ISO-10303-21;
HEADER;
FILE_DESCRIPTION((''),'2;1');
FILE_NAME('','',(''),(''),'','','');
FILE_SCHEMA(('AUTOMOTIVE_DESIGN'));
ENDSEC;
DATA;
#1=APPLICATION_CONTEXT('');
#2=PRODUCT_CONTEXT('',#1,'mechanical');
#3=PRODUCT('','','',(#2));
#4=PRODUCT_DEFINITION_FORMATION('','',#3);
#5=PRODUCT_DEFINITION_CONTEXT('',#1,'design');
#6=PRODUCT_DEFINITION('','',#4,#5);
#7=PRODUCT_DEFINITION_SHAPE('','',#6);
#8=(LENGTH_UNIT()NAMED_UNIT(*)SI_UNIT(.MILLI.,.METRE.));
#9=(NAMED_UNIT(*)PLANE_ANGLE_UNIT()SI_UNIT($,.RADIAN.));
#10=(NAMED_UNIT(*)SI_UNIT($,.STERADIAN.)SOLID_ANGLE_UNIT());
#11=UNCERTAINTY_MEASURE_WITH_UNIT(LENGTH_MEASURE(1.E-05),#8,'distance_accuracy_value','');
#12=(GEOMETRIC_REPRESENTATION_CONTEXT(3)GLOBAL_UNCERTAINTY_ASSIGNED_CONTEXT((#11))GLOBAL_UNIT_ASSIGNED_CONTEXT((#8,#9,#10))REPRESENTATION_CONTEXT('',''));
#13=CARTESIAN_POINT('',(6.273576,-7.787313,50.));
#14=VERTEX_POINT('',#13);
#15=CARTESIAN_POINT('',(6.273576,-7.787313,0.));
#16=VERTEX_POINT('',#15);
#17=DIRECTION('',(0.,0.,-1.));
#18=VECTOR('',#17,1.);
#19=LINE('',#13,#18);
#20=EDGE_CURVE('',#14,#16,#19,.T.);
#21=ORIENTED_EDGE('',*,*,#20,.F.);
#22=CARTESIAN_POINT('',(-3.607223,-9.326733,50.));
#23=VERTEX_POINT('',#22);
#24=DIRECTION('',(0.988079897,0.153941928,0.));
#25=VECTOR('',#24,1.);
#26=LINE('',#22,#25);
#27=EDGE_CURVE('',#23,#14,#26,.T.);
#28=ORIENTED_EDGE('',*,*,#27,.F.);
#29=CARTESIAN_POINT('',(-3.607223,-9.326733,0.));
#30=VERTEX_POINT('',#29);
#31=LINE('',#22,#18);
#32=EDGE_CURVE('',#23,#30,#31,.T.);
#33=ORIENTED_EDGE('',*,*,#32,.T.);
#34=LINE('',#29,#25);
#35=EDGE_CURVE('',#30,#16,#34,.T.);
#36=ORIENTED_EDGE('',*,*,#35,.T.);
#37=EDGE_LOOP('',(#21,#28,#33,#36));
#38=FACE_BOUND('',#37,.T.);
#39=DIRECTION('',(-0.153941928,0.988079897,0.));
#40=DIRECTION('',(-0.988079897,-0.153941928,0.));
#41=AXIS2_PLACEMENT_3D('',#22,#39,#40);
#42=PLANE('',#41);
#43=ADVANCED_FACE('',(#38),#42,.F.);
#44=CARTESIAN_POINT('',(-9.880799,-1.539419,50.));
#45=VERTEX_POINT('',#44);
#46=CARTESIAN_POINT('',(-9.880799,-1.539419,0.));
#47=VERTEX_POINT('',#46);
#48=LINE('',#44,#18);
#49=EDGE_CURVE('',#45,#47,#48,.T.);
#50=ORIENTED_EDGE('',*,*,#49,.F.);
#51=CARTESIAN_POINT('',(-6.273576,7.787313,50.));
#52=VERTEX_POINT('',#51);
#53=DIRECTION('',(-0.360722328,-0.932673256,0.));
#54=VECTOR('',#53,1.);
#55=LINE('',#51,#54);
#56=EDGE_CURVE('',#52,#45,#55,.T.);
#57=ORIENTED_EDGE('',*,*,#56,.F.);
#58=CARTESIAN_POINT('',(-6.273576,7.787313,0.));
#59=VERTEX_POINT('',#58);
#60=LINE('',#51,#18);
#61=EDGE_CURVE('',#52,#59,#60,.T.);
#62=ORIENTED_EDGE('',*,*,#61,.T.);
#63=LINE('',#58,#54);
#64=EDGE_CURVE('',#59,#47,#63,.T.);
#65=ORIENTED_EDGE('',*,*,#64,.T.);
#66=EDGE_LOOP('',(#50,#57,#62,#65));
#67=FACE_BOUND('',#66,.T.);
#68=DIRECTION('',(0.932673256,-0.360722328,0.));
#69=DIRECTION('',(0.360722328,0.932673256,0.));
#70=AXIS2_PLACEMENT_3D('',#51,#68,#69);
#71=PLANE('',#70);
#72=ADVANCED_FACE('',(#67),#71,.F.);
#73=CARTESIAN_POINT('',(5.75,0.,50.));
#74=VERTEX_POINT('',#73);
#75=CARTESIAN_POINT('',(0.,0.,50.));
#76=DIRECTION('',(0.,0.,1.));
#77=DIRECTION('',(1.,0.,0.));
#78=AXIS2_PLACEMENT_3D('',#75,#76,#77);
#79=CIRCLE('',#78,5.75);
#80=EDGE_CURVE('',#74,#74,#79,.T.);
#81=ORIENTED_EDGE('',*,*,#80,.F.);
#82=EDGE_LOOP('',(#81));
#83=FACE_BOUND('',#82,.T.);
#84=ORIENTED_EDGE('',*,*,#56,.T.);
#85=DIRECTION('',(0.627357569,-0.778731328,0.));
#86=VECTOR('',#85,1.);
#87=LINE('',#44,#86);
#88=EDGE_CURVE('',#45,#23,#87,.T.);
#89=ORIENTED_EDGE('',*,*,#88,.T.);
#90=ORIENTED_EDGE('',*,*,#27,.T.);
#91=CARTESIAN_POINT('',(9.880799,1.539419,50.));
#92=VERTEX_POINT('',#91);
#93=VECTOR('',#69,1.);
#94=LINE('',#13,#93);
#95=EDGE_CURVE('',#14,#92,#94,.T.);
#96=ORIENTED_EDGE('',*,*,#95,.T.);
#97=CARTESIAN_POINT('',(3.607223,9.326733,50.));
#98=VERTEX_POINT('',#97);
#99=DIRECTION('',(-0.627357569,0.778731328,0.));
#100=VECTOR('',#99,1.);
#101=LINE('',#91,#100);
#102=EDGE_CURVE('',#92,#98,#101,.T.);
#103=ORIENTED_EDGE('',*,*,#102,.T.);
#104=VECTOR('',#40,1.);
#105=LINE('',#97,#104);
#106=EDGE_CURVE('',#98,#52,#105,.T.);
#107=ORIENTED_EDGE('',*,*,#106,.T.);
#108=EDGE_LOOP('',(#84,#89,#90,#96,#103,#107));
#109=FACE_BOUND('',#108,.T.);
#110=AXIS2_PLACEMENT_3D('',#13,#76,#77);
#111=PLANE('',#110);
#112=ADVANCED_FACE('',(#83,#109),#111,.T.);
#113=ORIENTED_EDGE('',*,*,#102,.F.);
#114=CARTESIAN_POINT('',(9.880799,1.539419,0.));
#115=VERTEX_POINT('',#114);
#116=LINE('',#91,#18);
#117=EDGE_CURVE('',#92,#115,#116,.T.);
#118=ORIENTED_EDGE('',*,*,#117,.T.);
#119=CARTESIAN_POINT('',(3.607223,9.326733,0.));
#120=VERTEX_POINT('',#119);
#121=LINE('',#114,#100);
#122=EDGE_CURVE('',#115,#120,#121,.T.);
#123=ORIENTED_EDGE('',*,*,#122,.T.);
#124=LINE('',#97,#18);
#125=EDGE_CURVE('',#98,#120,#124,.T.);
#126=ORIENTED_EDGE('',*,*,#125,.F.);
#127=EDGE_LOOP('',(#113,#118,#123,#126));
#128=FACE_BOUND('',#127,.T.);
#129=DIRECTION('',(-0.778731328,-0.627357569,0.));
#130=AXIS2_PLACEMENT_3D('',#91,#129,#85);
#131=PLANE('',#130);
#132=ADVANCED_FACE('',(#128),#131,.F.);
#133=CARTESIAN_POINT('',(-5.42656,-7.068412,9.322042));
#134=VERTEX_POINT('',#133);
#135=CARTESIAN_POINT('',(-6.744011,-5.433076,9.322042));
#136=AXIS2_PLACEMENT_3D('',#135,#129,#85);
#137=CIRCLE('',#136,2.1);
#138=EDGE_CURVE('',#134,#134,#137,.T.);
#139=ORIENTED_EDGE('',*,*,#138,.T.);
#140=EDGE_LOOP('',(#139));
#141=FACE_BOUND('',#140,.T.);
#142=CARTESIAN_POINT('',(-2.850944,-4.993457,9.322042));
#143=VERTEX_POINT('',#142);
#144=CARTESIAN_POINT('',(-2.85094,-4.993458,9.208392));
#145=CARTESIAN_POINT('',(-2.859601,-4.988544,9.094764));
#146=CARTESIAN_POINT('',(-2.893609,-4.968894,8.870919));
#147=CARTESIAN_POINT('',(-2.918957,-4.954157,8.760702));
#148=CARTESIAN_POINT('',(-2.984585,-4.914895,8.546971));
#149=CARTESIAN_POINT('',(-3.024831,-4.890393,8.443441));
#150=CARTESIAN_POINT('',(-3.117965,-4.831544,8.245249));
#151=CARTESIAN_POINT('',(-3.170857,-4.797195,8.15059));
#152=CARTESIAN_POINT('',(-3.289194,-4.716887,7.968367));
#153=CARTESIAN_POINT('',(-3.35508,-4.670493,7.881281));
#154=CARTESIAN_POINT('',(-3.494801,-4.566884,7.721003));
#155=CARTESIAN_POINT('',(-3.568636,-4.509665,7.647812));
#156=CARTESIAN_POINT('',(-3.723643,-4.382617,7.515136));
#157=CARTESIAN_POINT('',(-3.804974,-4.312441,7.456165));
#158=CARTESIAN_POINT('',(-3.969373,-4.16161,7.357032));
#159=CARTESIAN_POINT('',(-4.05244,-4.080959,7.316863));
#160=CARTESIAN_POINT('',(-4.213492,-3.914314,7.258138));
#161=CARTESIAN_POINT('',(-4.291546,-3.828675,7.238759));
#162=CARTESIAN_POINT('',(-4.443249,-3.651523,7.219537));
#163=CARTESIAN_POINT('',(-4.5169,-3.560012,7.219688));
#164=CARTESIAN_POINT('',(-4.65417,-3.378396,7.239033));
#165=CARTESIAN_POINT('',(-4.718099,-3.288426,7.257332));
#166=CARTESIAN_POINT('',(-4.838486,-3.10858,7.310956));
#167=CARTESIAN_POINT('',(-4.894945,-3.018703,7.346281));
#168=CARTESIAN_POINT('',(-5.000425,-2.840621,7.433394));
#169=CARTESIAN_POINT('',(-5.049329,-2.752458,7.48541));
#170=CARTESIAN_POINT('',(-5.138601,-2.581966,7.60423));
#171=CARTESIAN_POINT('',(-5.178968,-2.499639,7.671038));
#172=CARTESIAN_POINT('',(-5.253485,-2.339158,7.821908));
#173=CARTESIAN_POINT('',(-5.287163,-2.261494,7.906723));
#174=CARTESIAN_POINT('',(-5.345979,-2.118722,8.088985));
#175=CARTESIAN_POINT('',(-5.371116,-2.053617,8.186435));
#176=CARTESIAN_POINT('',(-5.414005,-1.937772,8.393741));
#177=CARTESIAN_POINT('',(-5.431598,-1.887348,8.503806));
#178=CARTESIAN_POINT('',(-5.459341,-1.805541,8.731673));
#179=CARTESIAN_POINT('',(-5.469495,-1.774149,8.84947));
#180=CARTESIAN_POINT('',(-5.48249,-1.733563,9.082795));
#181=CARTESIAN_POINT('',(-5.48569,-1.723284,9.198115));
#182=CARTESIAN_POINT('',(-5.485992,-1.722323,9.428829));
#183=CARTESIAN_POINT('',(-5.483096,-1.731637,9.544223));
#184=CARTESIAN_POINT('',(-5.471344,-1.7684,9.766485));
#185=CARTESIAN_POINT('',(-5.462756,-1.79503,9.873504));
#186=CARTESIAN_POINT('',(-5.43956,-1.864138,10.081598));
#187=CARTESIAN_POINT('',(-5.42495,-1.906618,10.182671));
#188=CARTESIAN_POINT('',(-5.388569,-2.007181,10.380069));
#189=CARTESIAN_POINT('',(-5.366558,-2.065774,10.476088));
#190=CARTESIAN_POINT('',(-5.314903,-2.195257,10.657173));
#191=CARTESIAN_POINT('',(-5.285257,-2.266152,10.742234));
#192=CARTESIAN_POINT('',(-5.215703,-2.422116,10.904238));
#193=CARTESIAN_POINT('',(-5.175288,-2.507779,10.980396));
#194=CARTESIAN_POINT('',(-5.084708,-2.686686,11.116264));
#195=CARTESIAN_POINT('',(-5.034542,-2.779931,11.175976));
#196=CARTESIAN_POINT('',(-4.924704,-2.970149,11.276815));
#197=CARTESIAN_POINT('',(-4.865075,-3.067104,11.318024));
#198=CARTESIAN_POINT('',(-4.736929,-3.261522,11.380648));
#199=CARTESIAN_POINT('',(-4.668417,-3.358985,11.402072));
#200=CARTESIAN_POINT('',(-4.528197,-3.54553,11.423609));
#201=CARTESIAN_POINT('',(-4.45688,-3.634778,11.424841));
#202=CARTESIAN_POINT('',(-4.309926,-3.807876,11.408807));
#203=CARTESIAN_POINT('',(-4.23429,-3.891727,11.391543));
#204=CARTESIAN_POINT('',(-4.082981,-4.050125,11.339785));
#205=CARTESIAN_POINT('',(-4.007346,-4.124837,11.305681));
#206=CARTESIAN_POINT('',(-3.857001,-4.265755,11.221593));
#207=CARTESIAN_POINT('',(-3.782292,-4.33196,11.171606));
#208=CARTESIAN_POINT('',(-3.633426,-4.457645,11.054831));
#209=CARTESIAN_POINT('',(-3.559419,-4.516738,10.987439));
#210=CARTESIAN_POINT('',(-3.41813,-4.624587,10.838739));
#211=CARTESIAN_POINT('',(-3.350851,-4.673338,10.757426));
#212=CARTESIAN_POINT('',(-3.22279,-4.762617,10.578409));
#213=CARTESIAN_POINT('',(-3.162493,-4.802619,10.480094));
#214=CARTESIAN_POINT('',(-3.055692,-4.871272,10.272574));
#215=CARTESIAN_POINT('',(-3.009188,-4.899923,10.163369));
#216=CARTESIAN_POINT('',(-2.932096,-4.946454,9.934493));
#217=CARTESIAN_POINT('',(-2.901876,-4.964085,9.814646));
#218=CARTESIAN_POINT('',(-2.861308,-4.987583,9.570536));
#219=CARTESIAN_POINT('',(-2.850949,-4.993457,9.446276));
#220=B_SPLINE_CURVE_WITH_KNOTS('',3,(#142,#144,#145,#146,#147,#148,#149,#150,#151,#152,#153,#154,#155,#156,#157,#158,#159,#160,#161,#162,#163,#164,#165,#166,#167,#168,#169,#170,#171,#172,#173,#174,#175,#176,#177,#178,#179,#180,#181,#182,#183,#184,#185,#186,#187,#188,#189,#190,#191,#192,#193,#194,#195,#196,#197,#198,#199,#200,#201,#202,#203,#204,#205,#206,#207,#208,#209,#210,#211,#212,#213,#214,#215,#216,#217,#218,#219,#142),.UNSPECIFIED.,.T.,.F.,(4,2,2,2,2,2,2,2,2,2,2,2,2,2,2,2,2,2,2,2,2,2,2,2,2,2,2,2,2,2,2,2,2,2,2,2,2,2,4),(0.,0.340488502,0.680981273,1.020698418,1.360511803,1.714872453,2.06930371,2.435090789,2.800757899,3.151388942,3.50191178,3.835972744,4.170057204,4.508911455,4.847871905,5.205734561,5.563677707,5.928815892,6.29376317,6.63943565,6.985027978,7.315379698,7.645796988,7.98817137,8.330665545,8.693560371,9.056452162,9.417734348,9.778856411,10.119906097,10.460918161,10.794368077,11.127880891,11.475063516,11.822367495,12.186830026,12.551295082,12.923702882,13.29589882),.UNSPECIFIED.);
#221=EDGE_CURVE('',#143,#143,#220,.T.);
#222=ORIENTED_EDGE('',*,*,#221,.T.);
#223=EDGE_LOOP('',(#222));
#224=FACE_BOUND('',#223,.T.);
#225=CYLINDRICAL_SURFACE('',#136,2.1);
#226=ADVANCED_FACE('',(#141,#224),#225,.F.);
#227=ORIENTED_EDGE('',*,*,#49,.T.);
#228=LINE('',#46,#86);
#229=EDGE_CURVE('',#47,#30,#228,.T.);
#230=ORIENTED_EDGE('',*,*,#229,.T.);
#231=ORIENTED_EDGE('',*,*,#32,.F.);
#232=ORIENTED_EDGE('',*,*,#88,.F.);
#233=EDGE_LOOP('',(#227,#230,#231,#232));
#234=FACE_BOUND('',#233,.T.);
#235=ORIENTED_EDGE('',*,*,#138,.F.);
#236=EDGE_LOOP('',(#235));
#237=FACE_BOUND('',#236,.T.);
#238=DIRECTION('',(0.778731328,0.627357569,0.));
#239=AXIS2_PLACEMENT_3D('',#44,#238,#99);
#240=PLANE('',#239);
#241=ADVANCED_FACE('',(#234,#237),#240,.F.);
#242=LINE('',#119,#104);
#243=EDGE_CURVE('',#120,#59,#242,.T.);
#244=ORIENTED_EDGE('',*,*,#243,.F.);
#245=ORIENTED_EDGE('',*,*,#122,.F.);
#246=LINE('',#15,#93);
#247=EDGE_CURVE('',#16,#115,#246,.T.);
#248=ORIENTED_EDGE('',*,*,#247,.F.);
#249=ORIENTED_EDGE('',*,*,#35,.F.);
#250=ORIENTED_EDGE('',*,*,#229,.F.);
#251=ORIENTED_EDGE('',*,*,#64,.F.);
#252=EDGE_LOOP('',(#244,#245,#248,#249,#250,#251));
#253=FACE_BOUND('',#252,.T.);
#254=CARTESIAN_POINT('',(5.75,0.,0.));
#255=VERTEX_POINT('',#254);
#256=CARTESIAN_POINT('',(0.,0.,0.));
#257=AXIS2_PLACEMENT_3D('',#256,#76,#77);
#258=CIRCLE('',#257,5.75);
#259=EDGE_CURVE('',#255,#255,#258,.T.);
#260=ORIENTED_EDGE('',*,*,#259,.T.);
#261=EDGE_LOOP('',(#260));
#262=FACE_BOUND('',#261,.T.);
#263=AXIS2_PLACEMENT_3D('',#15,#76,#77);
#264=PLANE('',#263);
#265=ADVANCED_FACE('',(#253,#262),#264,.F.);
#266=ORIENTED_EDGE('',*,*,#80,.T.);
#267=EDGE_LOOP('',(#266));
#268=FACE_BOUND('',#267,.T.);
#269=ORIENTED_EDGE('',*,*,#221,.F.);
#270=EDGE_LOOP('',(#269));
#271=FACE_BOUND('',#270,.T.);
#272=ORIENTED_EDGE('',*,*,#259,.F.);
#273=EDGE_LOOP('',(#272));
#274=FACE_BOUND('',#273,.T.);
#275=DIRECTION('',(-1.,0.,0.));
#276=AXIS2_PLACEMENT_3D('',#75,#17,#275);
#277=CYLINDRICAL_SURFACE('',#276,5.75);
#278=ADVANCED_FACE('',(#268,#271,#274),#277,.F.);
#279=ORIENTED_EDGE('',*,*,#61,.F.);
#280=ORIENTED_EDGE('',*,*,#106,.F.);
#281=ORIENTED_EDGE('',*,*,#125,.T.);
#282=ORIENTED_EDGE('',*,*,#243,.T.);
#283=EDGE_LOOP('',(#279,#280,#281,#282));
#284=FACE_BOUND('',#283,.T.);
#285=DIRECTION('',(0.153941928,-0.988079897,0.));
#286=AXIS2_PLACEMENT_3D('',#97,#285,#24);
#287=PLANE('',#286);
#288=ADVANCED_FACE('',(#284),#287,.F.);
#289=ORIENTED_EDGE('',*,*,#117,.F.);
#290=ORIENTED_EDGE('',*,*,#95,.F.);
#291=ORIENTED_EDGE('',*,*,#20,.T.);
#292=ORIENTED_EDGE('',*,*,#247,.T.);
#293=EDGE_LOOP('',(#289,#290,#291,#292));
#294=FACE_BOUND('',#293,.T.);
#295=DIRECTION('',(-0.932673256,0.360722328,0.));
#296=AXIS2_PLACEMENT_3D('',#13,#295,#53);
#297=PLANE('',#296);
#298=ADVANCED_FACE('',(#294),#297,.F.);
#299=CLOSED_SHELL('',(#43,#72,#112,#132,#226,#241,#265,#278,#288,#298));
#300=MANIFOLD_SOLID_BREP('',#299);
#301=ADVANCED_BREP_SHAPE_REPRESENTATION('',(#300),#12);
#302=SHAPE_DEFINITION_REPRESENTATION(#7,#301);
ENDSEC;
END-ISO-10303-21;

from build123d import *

# Parameters (mm, degrees)
SKETCH_1_R             = 5.75
EXTRUDE_1_DEPTH        = 50
HOLE_WIZARD_M5_1_D     = 4.2
HOLE_WIZARD_M5_1_DEPTH = 12.4
HOLE_WIZARD_M5_1_TIP   = 1.2618073


with BuildPart() as part:
    # 草图1 → 凸台-拉伸1 (new body)
    with BuildSketch(Plane.XY):
        Polygon((6.273575685, -7.78731328), (9.88079897, 1.539419276), (3.607223285, 9.326732556), (-6.273575685, 7.78731328), (-9.88079897, -1.539419276), (-3.607223285, -9.326732556), align=None)
        Circle(SKETCH_1_R, mode=Mode.SUBTRACT)
    extrude(amount=EXTRUDE_1_DEPTH)

    # M5 螺纹孔1
    with Locations(Plane(origin=(-6.744011128, -5.433075916, 0), x_dir=(0, 0, 1), z_dir=(-0.7787313279896286, -0.6273575685424616, 0))):
        with Locations((9.322042098, 0)):
            Hole(HOLE_WIZARD_M5_1_D / 2, depth=HOLE_WIZARD_M5_1_DEPTH)
            with Locations((0, 0, -(HOLE_WIZARD_M5_1_DEPTH + HOLE_WIZARD_M5_1_TIP / 2))):  # 118° drill point
                Cone(0, HOLE_WIZARD_M5_1_D / 2, HOLE_WIZARD_M5_1_TIP, mode=Mode.SUBTRACT)


solid = part.part
